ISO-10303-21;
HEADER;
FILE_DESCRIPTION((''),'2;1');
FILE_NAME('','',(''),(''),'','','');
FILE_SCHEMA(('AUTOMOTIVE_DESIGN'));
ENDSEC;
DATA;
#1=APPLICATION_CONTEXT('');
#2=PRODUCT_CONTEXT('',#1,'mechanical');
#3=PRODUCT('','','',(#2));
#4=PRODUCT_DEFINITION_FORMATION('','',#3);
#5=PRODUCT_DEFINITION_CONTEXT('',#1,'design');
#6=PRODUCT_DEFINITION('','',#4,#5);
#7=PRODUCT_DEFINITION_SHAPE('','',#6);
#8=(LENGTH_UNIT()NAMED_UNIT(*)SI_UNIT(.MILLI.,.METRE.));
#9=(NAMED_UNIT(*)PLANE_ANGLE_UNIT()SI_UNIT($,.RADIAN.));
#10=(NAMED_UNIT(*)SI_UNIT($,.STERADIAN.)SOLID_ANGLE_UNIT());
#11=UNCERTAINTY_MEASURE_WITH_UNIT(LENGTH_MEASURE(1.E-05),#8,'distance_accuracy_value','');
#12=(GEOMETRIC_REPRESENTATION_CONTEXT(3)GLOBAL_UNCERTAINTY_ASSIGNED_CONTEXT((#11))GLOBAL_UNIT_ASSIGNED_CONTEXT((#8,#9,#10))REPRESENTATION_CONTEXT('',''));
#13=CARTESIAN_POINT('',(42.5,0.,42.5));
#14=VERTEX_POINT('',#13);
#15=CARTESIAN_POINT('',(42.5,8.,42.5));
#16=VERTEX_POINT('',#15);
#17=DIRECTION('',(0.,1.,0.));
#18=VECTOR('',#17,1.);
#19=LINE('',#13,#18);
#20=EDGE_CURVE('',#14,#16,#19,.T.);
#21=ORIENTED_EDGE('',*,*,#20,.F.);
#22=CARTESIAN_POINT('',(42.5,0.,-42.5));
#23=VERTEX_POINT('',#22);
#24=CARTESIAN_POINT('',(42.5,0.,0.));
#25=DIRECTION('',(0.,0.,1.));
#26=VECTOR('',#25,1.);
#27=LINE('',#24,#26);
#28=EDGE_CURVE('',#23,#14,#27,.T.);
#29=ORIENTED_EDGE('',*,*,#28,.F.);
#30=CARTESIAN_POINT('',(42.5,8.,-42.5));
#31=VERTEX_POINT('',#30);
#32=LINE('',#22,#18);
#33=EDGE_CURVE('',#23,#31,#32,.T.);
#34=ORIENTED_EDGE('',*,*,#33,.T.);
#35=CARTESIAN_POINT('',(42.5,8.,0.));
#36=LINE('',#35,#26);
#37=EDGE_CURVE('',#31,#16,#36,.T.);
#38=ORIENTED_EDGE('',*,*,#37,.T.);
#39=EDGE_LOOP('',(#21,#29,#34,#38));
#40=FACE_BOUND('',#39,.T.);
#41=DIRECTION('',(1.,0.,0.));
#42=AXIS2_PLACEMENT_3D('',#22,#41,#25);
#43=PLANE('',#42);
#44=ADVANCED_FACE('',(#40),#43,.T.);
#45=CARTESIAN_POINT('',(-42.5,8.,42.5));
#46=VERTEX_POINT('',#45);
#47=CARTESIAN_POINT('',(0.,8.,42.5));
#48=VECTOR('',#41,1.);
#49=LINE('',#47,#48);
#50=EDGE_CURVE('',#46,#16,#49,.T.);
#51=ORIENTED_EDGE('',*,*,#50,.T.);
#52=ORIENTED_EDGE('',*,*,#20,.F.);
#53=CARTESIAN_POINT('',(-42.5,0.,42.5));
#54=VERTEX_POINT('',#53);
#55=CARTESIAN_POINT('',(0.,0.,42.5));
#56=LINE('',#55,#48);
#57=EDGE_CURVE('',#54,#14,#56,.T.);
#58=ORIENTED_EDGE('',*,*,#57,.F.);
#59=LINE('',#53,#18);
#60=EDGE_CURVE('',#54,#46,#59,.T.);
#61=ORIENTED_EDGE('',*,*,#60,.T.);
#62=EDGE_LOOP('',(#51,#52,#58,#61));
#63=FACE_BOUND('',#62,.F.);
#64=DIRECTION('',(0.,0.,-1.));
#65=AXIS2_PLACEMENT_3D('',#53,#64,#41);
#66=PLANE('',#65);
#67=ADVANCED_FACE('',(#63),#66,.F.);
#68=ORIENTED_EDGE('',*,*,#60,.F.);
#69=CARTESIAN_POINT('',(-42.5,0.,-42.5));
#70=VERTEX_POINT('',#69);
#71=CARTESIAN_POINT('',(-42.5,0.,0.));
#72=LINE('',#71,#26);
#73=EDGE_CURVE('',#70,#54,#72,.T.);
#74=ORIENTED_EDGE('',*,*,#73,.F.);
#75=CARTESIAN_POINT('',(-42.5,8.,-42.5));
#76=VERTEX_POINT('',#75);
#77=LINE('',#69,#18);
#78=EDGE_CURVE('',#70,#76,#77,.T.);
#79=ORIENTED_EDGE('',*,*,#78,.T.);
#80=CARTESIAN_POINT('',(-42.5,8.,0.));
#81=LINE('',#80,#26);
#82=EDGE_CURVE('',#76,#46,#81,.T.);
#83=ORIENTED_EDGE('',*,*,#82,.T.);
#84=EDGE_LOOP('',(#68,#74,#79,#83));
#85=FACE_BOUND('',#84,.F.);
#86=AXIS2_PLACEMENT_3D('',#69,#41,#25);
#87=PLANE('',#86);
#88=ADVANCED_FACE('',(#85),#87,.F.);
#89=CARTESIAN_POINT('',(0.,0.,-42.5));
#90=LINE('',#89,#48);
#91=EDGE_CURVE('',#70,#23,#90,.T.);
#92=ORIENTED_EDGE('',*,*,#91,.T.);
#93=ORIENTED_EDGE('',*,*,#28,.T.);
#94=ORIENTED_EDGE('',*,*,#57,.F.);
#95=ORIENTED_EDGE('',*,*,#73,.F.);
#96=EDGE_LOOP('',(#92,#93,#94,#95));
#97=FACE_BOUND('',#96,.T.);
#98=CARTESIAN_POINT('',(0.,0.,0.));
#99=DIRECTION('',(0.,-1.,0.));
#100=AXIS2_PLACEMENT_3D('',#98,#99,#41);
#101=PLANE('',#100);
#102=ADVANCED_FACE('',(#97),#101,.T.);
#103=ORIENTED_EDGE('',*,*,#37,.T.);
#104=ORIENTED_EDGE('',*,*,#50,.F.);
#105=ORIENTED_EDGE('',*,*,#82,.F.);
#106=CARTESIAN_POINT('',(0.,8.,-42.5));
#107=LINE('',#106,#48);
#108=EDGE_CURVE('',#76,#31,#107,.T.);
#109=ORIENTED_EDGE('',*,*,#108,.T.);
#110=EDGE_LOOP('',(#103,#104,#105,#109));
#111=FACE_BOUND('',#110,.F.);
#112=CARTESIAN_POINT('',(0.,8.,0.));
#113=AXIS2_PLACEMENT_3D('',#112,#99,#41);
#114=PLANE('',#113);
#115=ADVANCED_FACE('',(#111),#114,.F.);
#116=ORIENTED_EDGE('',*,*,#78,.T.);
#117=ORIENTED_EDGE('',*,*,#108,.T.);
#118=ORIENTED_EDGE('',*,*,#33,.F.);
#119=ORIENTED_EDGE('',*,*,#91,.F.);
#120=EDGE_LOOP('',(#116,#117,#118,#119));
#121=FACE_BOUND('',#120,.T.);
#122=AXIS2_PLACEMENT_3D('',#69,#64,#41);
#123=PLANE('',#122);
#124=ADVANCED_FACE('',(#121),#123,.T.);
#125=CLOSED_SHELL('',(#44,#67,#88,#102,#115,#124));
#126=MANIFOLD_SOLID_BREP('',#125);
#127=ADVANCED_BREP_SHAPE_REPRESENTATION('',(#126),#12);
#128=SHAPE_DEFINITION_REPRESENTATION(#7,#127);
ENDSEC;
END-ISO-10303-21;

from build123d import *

# Parameters (mm, degrees)
F0_W     = 85
F0_H     = 85
F0_R     = 4
F0_R_2   = 2.5
F3_DEPTH = 8


with BuildPart() as f3:
    # F0 (on Front) → F3 (new body)
    with BuildSketch(Plane.XZ):
        Rectangle(F0_W, F0_H)
        with Locations((-30, 0)):
            Circle(F0_R, mode=Mode.SUBTRACT)
        with Locations((30, 0)):
            Circle(F0_R, mode=Mode.SUBTRACT)
        with Locations((30, 0)):
            Circle(F0_R)
        with Locations((30, 0)):
            Circle(F0_R_2, mode=Mode.SUBTRACT)
        with Locations((30, 0)):
            Circle(F0_R_2)
        with Locations((-30, 0)):
            Circle(F0_R)
        with Locations((-30, 0)):
            Circle(F0_R_2, mode=Mode.SUBTRACT)
        with Locations((-30, 0)):
            Circle(F0_R_2)
    extrude(amount=-F3_DEPTH)


solid = f3.part
